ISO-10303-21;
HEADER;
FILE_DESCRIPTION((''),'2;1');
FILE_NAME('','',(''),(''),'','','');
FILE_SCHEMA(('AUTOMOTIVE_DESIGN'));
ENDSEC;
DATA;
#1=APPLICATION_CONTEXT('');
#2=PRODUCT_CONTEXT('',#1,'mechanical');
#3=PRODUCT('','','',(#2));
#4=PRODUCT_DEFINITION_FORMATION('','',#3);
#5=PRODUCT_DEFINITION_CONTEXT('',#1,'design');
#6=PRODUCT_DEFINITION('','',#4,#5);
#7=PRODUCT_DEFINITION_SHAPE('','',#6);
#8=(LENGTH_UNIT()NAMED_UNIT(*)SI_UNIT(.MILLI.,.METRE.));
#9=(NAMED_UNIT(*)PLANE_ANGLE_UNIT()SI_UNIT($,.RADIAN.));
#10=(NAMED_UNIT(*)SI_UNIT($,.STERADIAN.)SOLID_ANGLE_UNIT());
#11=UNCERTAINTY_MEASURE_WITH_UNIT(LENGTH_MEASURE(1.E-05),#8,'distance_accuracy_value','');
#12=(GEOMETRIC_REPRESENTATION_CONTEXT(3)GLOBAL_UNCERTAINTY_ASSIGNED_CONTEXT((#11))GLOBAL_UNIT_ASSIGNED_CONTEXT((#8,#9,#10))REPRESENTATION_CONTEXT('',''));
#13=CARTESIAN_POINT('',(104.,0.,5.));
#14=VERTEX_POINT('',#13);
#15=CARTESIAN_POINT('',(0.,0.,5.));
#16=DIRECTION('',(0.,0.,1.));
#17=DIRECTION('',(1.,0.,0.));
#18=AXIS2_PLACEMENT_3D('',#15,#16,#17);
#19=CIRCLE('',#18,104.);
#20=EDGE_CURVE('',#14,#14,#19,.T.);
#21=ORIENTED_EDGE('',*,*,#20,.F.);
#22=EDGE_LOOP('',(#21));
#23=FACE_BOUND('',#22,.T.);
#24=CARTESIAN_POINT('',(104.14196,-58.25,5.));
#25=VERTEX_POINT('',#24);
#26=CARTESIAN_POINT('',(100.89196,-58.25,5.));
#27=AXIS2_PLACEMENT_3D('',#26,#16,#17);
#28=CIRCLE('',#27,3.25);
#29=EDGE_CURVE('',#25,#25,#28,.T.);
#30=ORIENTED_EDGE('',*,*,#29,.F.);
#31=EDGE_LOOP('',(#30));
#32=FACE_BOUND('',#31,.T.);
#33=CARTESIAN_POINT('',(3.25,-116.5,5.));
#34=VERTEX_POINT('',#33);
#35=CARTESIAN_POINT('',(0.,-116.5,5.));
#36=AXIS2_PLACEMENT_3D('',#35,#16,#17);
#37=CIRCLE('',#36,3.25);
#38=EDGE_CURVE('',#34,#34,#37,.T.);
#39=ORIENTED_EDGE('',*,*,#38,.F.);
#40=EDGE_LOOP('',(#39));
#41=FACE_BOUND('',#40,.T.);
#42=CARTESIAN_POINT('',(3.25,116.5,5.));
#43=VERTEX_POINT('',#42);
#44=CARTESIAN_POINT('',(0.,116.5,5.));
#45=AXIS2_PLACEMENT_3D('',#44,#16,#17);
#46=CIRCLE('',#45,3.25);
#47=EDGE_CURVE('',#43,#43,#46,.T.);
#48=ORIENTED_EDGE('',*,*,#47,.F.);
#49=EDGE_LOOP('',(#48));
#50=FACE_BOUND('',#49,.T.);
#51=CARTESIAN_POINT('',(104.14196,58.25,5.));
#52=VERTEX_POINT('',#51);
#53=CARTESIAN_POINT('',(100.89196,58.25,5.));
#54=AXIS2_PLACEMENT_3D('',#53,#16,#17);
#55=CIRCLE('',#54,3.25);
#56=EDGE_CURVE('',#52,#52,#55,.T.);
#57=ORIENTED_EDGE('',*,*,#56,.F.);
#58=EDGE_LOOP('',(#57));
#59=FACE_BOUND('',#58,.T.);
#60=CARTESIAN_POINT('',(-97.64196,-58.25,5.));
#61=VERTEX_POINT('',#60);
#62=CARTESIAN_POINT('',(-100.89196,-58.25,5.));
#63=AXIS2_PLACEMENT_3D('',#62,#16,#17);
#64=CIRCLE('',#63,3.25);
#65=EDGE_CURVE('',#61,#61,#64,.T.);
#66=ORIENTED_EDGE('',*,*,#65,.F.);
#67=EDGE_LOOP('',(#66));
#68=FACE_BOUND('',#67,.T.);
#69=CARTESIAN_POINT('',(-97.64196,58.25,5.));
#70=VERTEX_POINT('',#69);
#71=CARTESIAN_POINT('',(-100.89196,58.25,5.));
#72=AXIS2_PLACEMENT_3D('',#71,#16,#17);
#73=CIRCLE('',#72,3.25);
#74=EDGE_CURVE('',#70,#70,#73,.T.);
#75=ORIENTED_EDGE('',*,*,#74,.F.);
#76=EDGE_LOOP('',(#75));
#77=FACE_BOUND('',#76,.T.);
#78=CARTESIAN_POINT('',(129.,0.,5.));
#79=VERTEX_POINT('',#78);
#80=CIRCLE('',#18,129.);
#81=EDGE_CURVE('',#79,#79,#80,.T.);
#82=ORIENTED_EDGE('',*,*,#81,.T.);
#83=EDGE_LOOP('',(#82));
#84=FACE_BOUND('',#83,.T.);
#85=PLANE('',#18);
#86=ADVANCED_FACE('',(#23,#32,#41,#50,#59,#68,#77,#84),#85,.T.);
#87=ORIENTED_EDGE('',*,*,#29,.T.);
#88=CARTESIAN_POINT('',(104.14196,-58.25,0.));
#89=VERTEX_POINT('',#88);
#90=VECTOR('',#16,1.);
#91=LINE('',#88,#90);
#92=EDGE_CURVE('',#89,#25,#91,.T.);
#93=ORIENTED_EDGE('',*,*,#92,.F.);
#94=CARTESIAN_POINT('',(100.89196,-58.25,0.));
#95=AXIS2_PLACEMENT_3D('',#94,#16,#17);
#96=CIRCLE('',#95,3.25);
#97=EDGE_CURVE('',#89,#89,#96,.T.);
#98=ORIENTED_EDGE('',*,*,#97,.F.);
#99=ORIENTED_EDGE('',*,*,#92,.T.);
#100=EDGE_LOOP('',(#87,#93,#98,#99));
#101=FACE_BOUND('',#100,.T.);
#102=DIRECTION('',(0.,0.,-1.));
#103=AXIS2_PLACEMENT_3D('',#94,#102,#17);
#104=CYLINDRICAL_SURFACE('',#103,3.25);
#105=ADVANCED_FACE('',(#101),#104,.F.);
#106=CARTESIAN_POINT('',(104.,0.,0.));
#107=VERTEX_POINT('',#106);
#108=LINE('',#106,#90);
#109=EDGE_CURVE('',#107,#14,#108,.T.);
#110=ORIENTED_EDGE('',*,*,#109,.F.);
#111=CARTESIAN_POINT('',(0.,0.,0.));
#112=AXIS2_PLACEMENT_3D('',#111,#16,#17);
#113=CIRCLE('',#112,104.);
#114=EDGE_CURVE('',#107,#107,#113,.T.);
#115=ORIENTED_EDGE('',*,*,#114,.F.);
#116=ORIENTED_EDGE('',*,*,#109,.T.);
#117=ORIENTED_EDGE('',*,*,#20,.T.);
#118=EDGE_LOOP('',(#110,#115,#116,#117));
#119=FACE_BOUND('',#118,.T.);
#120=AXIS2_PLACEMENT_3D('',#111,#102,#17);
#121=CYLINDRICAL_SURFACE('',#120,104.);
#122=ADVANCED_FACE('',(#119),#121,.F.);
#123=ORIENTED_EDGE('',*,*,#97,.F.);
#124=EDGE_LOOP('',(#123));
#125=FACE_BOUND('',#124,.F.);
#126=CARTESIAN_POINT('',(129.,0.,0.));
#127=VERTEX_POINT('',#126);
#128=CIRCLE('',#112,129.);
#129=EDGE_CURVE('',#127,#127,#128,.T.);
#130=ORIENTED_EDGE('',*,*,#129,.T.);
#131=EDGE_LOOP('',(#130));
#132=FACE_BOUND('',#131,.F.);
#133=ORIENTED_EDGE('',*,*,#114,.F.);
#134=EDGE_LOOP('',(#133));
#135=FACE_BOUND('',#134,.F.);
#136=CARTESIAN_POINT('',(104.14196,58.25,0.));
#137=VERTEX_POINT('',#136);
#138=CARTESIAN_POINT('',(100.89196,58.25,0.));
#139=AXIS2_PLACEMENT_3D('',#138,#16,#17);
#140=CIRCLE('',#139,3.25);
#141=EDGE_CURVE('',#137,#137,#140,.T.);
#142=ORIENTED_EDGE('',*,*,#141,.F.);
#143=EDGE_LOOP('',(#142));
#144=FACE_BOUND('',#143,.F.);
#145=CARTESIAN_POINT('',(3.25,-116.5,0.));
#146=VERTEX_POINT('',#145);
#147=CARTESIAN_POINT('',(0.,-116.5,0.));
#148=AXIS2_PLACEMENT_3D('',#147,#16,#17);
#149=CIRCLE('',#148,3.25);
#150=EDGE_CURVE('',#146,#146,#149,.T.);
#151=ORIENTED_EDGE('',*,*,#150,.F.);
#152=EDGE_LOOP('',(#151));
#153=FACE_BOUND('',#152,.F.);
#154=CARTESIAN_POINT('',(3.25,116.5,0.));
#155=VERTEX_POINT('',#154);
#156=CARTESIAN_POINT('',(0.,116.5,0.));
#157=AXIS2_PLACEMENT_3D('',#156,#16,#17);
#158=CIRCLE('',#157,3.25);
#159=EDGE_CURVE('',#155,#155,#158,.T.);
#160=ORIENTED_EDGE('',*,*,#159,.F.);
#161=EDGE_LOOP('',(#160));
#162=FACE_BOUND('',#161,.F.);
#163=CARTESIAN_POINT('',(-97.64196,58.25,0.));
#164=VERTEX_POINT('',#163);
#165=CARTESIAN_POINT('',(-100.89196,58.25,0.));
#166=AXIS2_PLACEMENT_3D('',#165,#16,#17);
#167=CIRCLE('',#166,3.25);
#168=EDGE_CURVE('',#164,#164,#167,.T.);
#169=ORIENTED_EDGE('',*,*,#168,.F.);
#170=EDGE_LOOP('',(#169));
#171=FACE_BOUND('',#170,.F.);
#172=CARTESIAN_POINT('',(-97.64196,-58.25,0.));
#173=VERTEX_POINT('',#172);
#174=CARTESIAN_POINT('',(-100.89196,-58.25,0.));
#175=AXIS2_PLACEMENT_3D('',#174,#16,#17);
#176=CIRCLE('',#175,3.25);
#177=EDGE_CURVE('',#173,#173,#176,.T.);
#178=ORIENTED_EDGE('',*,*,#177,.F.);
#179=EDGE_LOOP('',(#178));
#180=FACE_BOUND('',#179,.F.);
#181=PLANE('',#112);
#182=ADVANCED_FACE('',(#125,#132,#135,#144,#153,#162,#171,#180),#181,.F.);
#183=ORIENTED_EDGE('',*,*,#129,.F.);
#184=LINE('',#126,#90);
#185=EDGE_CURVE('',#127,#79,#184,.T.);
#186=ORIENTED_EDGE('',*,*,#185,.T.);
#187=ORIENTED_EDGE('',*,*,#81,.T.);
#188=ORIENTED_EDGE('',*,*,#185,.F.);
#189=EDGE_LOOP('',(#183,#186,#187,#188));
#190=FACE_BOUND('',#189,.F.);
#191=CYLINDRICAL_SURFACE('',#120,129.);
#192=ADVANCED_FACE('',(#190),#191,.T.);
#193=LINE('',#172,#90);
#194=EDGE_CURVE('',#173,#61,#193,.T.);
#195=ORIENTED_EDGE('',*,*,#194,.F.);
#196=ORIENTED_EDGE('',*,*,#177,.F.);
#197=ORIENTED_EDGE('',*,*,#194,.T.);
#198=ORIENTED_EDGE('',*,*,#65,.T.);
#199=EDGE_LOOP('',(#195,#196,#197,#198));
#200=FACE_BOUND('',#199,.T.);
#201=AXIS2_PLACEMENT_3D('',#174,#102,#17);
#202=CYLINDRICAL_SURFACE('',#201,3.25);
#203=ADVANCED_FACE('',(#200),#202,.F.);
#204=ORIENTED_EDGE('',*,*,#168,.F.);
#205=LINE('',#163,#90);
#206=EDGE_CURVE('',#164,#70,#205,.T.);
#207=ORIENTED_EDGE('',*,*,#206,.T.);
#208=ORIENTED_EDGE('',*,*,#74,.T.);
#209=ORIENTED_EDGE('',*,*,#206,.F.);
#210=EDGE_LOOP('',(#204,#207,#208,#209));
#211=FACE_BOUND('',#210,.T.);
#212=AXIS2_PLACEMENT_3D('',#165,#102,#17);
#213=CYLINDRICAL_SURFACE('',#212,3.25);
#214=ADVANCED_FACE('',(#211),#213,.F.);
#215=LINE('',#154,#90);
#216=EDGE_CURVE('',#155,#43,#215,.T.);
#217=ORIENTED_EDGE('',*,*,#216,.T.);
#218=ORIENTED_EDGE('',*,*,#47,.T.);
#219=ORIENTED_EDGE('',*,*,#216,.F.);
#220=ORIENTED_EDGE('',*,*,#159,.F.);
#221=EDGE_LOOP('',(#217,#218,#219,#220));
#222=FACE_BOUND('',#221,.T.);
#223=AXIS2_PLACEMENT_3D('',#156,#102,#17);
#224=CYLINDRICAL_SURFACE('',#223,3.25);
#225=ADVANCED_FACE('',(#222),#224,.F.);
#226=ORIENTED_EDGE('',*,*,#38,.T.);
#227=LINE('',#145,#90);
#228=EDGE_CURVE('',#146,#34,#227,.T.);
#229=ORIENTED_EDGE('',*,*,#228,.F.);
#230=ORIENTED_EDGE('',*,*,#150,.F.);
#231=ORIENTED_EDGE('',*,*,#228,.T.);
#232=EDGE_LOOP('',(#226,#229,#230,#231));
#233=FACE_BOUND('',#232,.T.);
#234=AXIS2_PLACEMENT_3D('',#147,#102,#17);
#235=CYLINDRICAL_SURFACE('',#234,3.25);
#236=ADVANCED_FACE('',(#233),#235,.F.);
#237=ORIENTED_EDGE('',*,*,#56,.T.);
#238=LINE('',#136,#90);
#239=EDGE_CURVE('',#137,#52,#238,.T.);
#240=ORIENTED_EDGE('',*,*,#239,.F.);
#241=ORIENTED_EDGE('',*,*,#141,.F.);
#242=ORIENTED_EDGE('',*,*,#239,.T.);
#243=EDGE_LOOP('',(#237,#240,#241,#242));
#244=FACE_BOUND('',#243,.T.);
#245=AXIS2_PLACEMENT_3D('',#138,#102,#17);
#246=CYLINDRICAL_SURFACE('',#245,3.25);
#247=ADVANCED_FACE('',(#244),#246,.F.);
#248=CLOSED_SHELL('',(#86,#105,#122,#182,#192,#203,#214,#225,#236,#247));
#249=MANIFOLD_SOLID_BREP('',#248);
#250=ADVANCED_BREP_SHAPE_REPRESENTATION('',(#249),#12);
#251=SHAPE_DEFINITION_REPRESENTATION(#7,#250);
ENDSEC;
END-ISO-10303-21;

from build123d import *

# Parameters (mm, degrees)
F0_R     = 129
F0_R_2   = 3.25
F0_R_3   = 104
F1_DEPTH = 5


with BuildPart() as f1:
    # F0 (on Top) → F1 (new body)
    with BuildSketch(Plane.XY):
        Circle(F0_R)
        with Locations((-100.89196, -58.25)):
            Circle(F0_R_2, mode=Mode.SUBTRACT)
        with Locations((0, -116.5)):
            Circle(F0_R_2, mode=Mode.SUBTRACT)
        with Locations((100.89196, -58.25)):
            Circle(F0_R_2, mode=Mode.SUBTRACT)
        with Locations((-100.89196, 58.25)):
            Circle(F0_R_2, mode=Mode.SUBTRACT)
        Circle(F0_R_3, mode=Mode.SUBTRACT)
        with Locations((100.89196, 58.25)):
            Circle(F0_R_2, mode=Mode.SUBTRACT)
        with Locations((0, 116.5)):
            Circle(F0_R_2, mode=Mode.SUBTRACT)
    extrude(amount=F1_DEPTH)


solid = f1.part
